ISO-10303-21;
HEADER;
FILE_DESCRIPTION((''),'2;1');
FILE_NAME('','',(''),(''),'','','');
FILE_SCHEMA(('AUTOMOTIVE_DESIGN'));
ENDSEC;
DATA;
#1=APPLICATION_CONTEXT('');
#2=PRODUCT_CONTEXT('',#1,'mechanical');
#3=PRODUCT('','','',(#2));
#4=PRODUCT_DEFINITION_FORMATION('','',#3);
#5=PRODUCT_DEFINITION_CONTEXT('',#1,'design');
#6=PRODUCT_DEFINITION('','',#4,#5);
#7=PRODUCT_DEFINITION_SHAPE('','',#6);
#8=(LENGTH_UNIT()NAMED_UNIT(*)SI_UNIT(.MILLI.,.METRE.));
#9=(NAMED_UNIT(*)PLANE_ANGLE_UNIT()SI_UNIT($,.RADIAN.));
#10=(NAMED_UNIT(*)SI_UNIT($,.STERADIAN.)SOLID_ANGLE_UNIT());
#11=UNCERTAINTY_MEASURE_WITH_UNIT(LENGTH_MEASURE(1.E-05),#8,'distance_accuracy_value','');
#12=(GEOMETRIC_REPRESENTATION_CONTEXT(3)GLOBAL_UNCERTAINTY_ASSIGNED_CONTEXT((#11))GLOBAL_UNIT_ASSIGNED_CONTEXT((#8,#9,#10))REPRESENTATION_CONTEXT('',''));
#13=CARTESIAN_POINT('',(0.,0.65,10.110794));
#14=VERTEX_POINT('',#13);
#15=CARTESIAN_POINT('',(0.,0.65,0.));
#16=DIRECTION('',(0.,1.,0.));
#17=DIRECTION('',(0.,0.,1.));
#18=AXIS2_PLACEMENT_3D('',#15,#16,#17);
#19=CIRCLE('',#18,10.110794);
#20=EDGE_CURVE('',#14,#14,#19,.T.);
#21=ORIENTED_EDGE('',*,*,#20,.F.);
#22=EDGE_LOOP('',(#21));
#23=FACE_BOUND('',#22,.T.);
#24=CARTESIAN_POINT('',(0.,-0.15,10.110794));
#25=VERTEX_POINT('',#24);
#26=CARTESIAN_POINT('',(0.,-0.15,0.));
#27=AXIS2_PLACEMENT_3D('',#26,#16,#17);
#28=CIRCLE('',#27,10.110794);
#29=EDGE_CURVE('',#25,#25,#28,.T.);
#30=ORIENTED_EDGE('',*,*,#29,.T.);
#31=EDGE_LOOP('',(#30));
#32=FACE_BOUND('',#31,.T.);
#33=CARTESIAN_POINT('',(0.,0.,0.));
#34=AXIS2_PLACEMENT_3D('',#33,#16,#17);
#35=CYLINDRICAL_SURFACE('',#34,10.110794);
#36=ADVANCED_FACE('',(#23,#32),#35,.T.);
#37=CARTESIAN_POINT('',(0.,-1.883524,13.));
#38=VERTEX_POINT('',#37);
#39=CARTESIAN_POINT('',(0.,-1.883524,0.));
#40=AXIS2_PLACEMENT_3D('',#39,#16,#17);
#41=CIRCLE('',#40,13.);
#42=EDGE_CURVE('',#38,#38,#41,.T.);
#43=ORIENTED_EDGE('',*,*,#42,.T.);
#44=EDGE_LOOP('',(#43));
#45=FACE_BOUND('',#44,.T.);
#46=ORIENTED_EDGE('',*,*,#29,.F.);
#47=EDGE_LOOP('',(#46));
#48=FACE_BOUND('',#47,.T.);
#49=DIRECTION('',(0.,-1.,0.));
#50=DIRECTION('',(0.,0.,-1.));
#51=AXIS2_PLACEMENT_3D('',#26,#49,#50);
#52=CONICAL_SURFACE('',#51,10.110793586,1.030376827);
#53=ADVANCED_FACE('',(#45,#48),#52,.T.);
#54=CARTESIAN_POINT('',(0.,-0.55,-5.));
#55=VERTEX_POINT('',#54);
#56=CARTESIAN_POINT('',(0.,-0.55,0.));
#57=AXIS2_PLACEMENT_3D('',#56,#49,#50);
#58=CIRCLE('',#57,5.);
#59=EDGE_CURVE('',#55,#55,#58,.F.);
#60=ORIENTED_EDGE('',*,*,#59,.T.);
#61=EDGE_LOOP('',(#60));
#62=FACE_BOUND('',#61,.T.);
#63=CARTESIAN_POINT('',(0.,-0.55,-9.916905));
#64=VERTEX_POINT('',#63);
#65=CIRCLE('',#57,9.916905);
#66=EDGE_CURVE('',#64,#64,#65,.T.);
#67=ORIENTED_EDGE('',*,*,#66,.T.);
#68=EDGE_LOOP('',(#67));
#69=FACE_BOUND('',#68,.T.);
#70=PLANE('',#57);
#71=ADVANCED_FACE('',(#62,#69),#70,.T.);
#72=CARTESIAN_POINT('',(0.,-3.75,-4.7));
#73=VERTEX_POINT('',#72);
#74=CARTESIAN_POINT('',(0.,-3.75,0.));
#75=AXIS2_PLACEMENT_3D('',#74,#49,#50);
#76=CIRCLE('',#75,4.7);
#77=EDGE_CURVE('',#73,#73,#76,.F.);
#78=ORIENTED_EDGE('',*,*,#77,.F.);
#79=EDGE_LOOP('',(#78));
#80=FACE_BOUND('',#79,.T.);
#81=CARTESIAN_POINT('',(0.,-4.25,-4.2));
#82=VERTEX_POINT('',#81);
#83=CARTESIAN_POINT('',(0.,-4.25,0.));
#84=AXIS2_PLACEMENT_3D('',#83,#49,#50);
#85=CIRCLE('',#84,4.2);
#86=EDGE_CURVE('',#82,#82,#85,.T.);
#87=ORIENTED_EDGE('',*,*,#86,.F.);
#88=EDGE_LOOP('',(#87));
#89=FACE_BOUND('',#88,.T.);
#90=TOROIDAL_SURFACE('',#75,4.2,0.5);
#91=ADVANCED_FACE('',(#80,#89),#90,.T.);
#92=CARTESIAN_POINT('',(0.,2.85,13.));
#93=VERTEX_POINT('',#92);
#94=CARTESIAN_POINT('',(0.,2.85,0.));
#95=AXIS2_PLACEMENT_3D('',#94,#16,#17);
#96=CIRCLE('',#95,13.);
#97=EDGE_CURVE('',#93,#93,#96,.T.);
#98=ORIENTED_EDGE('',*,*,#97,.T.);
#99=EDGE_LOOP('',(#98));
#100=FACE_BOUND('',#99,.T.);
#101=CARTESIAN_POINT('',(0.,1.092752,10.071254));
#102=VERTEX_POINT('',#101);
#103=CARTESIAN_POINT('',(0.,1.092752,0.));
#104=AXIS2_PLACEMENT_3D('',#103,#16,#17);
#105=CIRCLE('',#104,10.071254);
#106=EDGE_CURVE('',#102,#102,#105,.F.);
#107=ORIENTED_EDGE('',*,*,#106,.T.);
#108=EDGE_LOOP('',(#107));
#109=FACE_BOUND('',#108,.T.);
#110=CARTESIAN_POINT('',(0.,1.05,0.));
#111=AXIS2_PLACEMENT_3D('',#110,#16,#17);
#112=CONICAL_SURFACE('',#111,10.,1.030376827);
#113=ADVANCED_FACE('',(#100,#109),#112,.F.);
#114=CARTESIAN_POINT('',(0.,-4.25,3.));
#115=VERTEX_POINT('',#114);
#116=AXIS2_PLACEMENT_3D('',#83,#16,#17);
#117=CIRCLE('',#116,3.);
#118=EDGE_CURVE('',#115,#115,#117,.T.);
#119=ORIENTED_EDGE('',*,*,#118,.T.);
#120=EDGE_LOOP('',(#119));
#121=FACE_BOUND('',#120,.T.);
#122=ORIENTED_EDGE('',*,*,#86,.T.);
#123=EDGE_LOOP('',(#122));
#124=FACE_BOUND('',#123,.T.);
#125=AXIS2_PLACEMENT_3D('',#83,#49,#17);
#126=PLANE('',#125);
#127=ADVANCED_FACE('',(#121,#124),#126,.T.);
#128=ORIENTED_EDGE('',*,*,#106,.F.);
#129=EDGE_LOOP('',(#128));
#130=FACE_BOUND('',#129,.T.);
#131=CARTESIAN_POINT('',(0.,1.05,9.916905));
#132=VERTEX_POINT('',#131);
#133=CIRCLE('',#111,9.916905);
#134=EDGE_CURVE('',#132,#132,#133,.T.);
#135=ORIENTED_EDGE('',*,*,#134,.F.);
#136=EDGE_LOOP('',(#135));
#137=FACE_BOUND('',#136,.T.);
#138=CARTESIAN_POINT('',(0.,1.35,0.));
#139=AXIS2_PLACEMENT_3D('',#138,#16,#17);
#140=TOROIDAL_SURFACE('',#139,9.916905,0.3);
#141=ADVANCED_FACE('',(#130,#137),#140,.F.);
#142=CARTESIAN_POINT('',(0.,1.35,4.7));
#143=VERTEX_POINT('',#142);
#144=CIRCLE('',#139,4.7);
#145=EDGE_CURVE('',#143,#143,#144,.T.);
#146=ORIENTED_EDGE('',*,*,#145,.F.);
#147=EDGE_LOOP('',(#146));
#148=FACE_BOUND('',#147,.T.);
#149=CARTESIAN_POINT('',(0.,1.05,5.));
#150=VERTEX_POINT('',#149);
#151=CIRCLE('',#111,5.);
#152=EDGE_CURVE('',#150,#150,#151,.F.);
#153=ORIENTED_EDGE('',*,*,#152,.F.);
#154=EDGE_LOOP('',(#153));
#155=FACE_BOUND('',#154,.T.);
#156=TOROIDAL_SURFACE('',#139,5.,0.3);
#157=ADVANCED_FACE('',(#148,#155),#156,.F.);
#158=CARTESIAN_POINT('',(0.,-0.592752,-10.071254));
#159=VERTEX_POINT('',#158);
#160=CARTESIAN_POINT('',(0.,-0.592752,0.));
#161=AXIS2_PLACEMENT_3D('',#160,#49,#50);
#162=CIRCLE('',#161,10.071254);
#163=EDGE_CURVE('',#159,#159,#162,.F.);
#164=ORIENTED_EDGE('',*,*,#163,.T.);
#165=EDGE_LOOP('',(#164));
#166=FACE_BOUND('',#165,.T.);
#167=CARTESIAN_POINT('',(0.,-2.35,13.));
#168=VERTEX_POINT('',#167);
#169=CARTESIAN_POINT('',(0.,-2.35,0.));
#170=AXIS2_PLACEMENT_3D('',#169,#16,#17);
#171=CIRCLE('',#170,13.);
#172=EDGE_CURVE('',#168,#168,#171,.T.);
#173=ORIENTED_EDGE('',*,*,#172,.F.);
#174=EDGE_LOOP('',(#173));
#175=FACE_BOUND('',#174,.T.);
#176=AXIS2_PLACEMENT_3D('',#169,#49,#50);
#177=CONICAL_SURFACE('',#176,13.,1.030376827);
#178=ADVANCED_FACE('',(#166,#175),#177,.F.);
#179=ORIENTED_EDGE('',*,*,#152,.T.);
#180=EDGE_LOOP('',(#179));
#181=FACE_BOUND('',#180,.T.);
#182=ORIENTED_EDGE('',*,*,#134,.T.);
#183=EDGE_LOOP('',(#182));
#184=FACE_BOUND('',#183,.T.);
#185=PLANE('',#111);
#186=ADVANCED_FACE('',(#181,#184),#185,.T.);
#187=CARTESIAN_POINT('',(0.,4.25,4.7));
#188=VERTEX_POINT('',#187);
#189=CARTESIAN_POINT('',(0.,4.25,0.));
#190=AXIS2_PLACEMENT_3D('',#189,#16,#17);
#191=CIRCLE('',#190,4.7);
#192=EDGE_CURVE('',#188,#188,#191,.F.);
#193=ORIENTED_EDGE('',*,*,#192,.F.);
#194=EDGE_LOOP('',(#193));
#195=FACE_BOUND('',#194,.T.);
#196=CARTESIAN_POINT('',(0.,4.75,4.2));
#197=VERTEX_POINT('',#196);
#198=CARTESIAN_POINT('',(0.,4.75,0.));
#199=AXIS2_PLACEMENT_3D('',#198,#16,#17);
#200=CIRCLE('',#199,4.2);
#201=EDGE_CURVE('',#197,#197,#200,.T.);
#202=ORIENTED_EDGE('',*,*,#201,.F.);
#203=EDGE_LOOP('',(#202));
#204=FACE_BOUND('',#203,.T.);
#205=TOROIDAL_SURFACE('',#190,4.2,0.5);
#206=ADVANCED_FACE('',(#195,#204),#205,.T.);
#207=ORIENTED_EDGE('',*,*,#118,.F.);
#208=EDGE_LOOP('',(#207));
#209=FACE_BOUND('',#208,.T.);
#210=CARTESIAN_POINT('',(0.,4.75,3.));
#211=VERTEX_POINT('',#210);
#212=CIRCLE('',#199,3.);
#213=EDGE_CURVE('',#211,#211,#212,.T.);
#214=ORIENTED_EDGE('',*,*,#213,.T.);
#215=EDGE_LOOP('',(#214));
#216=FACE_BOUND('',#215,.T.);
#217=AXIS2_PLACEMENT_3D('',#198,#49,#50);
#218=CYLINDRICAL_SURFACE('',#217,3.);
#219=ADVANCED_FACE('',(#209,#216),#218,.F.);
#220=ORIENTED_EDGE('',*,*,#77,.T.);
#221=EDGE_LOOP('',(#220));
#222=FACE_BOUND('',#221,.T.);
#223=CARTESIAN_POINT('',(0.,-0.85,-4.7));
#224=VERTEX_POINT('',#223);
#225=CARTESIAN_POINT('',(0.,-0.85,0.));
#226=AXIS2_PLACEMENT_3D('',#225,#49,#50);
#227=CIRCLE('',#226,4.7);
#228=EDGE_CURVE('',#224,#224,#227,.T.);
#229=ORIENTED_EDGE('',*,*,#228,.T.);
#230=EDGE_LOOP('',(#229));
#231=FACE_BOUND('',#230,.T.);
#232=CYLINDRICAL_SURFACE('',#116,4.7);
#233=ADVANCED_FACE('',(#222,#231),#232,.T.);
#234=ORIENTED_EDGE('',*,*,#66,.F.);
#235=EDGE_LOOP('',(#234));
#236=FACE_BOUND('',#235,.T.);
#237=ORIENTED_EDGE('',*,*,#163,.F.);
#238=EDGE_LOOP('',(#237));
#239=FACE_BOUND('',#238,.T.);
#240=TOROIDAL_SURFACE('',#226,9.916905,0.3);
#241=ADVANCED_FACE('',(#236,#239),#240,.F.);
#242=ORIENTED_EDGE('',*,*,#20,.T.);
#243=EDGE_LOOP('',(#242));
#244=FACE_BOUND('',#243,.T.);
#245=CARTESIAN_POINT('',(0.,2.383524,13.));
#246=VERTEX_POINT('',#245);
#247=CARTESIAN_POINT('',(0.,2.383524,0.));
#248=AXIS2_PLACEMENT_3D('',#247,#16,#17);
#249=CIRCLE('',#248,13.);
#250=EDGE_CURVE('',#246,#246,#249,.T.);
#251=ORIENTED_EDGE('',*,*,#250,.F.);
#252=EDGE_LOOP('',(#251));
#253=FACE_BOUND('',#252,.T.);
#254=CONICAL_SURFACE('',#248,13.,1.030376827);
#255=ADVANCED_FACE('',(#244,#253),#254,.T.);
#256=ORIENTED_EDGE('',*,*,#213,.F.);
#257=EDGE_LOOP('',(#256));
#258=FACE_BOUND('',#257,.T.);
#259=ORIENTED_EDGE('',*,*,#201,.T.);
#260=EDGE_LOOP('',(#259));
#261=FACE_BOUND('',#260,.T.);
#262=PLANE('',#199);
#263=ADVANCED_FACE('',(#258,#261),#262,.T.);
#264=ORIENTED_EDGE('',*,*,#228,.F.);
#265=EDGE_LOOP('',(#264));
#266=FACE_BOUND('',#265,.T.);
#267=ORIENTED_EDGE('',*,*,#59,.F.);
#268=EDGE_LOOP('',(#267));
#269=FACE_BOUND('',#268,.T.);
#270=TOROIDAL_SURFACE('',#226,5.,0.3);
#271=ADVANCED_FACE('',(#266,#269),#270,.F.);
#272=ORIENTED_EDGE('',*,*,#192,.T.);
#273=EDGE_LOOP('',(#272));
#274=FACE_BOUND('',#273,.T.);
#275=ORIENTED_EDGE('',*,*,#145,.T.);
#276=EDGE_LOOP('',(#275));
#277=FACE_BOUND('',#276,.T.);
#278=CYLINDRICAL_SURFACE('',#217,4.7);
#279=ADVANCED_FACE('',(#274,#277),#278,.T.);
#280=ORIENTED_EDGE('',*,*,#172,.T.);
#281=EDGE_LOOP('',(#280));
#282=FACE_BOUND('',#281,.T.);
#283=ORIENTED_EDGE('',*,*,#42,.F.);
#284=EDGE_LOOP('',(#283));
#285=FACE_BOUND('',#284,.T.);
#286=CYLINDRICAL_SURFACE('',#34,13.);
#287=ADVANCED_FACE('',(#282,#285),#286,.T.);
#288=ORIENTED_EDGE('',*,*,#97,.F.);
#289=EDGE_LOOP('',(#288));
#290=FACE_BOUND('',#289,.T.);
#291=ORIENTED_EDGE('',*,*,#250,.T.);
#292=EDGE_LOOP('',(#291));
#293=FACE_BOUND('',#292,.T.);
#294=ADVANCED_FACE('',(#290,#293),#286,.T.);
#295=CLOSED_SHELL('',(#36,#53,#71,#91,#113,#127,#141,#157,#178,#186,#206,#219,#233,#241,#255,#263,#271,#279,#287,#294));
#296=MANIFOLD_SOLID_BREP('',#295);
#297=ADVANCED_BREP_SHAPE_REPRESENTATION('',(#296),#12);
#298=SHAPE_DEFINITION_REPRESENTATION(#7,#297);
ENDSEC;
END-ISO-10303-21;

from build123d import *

# Parameters (mm, degrees)
SKETCH2_R           = 4.7
SKETCH2_R_2         = 3
BOSS_EXTRUDE1_DEPTH = 3.7
SKETCH3_R           = 3
CUT_EXTRUDE1_DEPTH  = 19.753399692
FILLET1_R           = 0.5
FILLET2_R           = 0.3


with BuildPart() as part:
    # Sketch1 → Revolve1 (revolve)
    with BuildSketch(Plane(origin=(0, 0, 0), x_dir=(0, 0, -1), z_dir=(1, 0, 0))):
        Polygon((-13, -2.35), (-13, -1.883523848), (-10.110793586, -0.15), (-10.110793586, 0.65), (-13, 2.383523848), (-13, 2.85), (-10, 1.05), (0, 1.05), (0, -0.55), (-10, -0.55), align=None)
    revolve(axis=Axis((0, 0, 0), (0, -1, 0)))

    # Sketch2 → Boss-Extrude1 (add)
    with BuildSketch(Plane(origin=(0, 1.05, 0), x_dir=(1, 0, 0), z_dir=(0, 1, 0))):
        with Locations(Location((0, 0, 0), (0, 0, 270))):
            Circle(SKETCH2_R)
        with Locations(Location((0, 0, 0), (0, 0, 270))):
            Circle(SKETCH2_R_2, mode=Mode.SUBTRACT)
    boss_extrude1 = extrude(amount=BOSS_EXTRUDE1_DEPTH)

    # Sketch3 → Cut-Extrude1 (cut, through all)
    with BuildSketch(Plane(origin=(0, 1.05, 0), x_dir=(1, 0, 0), z_dir=(0, 1, 0))):
        with Locations(Location((0, 0, 0), (0, 0, 90))):
            Circle(SKETCH3_R)
    extrude(amount=-CUT_EXTRUDE1_DEPTH, mode=Mode.SUBTRACT)

    # Mirror1: Boss-Extrude1 across plane
    add(boss_extrude1.mirror(Plane.ZX.offset(0.25)))

    # Fillet1
    fillet1_edges = [part.edges().sort_by_distance(p)[0] for p in [
        (0, 4.75, -4.7),
        (0, -4.25, -4.7),
    ]]
    fillet(fillet1_edges, radius=FILLET1_R)

    # Fillet2
    fillet2_edges = [part.edges().sort_by_distance(p)[0] for p in [
        (0, 1.05, -4.7),
        (0, -0.55, -4.7),
        (0, 1.05, -10),
        (0, -0.55, -10),
    ]]
    fillet(fillet2_edges, radius=FILLET2_R)


solid = part.part
